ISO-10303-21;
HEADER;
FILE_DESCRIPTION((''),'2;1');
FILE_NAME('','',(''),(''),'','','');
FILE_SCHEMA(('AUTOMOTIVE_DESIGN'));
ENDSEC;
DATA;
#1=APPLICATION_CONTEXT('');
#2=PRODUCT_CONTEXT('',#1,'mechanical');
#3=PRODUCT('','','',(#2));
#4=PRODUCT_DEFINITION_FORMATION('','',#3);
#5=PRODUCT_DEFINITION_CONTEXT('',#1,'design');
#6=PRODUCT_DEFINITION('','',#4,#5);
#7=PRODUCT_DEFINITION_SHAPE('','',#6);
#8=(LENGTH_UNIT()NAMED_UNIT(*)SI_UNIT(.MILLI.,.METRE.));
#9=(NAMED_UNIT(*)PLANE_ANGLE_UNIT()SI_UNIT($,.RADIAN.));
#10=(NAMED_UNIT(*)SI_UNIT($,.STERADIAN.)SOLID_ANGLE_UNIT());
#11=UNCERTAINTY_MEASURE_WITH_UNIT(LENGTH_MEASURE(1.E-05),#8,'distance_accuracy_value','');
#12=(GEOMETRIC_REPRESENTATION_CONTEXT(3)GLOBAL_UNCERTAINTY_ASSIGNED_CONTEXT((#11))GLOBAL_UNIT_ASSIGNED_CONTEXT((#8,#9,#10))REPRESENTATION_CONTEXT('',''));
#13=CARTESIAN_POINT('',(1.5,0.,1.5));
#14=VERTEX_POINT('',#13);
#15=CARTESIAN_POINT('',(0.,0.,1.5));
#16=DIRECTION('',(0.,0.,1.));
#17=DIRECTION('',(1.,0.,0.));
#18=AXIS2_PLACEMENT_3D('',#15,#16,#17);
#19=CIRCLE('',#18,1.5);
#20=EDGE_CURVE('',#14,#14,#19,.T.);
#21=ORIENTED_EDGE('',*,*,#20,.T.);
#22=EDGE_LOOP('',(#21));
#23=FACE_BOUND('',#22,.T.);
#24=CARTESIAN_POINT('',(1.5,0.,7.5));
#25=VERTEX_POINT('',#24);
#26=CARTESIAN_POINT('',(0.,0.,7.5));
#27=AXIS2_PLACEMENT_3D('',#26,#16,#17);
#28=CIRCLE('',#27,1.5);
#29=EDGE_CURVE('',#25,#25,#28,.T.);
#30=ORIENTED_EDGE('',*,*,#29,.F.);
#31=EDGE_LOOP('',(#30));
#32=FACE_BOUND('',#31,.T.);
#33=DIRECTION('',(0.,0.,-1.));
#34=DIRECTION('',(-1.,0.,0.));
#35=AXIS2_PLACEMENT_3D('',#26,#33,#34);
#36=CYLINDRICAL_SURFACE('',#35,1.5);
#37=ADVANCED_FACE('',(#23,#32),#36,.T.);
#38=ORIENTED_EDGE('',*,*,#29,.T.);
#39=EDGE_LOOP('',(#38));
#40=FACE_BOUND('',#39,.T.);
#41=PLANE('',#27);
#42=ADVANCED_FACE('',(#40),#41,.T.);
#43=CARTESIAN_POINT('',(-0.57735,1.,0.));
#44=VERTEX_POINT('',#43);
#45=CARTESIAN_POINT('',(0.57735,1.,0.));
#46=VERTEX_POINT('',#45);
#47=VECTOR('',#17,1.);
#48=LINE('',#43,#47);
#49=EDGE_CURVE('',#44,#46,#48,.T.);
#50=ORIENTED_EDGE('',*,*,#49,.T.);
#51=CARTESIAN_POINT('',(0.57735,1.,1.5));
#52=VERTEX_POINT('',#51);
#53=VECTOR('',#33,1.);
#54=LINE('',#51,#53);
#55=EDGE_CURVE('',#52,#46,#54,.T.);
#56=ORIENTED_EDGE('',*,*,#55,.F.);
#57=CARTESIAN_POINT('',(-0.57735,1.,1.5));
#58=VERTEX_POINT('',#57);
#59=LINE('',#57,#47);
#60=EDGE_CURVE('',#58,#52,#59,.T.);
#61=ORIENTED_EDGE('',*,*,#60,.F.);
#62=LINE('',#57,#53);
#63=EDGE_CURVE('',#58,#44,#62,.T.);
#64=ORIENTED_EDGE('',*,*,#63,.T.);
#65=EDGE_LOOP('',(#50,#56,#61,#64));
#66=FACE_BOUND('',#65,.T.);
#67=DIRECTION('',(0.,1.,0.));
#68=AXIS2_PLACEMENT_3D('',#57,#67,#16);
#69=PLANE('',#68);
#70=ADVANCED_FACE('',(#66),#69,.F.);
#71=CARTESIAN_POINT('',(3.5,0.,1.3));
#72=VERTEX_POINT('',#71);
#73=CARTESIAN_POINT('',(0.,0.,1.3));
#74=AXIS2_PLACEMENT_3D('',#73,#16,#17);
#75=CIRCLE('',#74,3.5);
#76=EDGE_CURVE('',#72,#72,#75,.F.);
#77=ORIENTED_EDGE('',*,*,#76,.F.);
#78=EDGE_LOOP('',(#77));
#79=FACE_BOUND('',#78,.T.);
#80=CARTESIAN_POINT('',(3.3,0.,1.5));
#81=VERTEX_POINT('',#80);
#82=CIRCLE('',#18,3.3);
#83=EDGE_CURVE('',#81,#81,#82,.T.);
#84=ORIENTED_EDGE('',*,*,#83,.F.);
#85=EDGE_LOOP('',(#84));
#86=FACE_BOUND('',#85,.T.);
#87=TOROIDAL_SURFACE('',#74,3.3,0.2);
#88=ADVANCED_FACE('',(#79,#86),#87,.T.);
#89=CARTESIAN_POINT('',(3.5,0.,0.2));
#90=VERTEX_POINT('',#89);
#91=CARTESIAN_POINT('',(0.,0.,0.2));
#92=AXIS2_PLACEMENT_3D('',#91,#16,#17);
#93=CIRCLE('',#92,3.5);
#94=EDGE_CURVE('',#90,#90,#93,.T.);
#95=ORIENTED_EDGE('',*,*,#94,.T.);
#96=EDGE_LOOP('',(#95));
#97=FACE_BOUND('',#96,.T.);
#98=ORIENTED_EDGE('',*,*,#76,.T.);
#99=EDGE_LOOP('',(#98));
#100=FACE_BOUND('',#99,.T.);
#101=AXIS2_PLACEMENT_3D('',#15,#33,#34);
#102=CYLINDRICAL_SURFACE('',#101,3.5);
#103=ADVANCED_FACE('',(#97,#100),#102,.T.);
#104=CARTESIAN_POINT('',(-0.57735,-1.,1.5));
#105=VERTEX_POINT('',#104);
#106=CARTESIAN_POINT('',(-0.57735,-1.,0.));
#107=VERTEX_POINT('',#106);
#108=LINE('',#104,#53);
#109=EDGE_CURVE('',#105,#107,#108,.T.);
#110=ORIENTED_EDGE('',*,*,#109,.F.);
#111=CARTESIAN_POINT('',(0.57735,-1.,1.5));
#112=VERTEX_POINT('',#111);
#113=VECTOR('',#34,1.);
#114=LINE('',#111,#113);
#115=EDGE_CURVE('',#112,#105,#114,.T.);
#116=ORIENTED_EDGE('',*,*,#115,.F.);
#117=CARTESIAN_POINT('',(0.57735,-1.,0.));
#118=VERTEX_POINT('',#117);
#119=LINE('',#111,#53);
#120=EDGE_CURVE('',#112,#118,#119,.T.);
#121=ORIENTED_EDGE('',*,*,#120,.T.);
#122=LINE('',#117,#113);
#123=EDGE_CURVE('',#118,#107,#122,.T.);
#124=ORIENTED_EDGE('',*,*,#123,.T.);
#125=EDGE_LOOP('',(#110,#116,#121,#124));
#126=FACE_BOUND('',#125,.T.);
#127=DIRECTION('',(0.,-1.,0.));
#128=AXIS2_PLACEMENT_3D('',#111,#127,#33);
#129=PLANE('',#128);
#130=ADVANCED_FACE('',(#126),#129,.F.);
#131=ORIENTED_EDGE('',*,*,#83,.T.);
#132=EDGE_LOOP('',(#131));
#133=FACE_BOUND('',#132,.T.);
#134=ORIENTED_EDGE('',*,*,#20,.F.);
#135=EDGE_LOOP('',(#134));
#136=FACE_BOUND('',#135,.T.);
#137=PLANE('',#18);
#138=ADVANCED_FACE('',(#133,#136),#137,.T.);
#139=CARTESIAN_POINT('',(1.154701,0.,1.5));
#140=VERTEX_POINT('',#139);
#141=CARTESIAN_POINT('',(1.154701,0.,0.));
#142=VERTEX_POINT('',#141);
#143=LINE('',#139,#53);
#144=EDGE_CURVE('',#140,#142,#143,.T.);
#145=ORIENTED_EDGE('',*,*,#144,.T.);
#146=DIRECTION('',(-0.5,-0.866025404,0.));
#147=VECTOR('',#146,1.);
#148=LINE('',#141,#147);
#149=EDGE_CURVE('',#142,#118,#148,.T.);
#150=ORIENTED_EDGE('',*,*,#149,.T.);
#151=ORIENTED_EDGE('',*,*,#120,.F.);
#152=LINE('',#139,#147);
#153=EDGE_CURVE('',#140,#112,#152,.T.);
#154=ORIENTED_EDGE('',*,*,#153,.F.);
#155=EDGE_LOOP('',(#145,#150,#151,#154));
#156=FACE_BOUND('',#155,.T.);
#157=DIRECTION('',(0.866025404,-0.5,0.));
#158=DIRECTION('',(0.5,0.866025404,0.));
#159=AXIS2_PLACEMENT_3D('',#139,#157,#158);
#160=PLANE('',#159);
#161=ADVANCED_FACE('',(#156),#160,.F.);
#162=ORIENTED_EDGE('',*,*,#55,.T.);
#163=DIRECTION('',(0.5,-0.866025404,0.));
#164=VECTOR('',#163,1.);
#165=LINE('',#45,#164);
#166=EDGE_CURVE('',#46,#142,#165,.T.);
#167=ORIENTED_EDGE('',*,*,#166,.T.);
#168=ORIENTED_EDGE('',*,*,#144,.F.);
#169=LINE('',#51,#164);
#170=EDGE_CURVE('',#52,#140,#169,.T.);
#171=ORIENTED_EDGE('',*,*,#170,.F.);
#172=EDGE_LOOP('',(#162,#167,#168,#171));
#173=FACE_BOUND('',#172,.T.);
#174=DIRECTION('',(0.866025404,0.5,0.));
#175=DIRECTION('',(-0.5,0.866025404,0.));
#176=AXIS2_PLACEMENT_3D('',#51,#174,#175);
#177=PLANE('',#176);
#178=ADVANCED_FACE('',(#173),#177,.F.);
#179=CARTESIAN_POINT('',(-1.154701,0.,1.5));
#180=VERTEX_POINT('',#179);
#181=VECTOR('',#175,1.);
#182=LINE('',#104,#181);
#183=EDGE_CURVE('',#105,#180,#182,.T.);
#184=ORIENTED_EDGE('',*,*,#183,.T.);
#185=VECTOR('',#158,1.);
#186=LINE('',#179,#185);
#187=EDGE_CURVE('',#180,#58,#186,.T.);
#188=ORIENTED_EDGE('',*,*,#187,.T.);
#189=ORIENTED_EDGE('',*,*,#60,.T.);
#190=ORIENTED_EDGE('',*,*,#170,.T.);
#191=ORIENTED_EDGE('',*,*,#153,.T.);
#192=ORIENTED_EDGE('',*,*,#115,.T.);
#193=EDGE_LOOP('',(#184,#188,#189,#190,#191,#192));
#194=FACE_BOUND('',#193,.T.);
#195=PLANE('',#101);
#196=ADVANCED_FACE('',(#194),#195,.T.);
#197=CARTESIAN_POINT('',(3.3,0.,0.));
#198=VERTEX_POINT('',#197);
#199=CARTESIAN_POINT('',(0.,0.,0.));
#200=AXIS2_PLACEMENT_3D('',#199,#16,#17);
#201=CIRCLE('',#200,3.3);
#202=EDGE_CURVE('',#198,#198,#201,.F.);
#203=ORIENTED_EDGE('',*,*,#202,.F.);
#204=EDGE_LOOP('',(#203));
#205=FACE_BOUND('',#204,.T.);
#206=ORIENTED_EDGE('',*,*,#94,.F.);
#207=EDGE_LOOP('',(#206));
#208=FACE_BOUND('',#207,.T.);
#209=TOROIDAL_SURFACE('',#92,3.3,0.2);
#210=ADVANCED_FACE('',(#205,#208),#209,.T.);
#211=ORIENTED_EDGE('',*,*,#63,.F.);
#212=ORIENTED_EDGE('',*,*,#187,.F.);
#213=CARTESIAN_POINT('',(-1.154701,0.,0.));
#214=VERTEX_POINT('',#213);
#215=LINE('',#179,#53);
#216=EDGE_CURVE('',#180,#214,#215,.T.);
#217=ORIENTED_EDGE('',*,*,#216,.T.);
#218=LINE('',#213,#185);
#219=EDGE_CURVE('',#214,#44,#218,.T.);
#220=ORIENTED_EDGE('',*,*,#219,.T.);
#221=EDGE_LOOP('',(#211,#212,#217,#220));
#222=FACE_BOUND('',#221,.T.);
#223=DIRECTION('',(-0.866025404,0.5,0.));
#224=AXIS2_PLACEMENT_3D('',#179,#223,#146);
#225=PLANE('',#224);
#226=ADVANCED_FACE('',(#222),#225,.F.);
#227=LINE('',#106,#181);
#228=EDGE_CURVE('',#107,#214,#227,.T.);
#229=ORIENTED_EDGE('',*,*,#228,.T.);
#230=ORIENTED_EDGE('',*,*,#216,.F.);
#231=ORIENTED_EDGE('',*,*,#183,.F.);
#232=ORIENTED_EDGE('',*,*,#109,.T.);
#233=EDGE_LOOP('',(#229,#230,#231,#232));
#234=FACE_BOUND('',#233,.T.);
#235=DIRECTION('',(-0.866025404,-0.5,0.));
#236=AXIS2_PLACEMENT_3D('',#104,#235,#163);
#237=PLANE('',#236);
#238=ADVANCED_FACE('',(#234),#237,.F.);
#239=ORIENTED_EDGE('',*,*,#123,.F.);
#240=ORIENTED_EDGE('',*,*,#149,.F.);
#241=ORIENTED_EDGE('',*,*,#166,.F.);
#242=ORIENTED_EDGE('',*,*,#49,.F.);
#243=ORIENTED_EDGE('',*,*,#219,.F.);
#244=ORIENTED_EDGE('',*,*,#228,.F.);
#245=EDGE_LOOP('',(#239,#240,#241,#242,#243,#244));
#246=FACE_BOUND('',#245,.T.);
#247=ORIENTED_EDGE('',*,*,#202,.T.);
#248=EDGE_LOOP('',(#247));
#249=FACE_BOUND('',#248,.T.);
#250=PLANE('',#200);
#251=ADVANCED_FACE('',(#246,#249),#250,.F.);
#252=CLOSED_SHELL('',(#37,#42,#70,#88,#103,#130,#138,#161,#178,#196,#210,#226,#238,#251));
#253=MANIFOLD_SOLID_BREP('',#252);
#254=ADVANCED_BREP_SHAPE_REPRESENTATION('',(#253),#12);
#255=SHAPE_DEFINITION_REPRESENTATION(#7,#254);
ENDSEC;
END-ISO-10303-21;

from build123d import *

# Parameters (mm, degrees)
SKETCH_1_R          = 3.5
EXTRUDE_1_DEPTH     = 1.5
SKETCH_2_R          = 1.5
EXTRUDE_2_DEPTH     = 6
FILLET_1_R          = 0.2
CUT_EXTRUDE_1_DEPTH = 1.5


with BuildPart() as part:
    # 草图1 → 凸台-拉伸1 (new body)
    with BuildSketch(Plane.XY):
        Circle(SKETCH_1_R)
    extrude(amount=EXTRUDE_1_DEPTH)

    # 草图2 → 凸台-拉伸2 (add)
    with BuildSketch(Plane.XY.offset(1.5)):
        Circle(SKETCH_2_R)
    extrude(amount=EXTRUDE_2_DEPTH)

    # 圆角1
    fillet_1_edges = [part.edges().sort_by_distance(p)[0] for p in [
        (-3.5, 0, 0),
        (-3.5, 0, 1.5),
    ]]
    fillet(fillet_1_edges, radius=FILLET_1_R)

    # 草图3 → 切除-拉伸1 (cut)
    with BuildSketch(Plane(origin=(0, 0, 0), x_dir=(-1, 0, 0), z_dir=(0, 0, -1))):
        Polygon((1.154700538, 0), (0.577350269, 1), (-0.577350269, 1), (-1.154700538, 0), (-0.577350269, -1), (0.577350269, -1), align=None)
    extrude(amount=-CUT_EXTRUDE_1_DEPTH, mode=Mode.SUBTRACT)


solid = part.part
